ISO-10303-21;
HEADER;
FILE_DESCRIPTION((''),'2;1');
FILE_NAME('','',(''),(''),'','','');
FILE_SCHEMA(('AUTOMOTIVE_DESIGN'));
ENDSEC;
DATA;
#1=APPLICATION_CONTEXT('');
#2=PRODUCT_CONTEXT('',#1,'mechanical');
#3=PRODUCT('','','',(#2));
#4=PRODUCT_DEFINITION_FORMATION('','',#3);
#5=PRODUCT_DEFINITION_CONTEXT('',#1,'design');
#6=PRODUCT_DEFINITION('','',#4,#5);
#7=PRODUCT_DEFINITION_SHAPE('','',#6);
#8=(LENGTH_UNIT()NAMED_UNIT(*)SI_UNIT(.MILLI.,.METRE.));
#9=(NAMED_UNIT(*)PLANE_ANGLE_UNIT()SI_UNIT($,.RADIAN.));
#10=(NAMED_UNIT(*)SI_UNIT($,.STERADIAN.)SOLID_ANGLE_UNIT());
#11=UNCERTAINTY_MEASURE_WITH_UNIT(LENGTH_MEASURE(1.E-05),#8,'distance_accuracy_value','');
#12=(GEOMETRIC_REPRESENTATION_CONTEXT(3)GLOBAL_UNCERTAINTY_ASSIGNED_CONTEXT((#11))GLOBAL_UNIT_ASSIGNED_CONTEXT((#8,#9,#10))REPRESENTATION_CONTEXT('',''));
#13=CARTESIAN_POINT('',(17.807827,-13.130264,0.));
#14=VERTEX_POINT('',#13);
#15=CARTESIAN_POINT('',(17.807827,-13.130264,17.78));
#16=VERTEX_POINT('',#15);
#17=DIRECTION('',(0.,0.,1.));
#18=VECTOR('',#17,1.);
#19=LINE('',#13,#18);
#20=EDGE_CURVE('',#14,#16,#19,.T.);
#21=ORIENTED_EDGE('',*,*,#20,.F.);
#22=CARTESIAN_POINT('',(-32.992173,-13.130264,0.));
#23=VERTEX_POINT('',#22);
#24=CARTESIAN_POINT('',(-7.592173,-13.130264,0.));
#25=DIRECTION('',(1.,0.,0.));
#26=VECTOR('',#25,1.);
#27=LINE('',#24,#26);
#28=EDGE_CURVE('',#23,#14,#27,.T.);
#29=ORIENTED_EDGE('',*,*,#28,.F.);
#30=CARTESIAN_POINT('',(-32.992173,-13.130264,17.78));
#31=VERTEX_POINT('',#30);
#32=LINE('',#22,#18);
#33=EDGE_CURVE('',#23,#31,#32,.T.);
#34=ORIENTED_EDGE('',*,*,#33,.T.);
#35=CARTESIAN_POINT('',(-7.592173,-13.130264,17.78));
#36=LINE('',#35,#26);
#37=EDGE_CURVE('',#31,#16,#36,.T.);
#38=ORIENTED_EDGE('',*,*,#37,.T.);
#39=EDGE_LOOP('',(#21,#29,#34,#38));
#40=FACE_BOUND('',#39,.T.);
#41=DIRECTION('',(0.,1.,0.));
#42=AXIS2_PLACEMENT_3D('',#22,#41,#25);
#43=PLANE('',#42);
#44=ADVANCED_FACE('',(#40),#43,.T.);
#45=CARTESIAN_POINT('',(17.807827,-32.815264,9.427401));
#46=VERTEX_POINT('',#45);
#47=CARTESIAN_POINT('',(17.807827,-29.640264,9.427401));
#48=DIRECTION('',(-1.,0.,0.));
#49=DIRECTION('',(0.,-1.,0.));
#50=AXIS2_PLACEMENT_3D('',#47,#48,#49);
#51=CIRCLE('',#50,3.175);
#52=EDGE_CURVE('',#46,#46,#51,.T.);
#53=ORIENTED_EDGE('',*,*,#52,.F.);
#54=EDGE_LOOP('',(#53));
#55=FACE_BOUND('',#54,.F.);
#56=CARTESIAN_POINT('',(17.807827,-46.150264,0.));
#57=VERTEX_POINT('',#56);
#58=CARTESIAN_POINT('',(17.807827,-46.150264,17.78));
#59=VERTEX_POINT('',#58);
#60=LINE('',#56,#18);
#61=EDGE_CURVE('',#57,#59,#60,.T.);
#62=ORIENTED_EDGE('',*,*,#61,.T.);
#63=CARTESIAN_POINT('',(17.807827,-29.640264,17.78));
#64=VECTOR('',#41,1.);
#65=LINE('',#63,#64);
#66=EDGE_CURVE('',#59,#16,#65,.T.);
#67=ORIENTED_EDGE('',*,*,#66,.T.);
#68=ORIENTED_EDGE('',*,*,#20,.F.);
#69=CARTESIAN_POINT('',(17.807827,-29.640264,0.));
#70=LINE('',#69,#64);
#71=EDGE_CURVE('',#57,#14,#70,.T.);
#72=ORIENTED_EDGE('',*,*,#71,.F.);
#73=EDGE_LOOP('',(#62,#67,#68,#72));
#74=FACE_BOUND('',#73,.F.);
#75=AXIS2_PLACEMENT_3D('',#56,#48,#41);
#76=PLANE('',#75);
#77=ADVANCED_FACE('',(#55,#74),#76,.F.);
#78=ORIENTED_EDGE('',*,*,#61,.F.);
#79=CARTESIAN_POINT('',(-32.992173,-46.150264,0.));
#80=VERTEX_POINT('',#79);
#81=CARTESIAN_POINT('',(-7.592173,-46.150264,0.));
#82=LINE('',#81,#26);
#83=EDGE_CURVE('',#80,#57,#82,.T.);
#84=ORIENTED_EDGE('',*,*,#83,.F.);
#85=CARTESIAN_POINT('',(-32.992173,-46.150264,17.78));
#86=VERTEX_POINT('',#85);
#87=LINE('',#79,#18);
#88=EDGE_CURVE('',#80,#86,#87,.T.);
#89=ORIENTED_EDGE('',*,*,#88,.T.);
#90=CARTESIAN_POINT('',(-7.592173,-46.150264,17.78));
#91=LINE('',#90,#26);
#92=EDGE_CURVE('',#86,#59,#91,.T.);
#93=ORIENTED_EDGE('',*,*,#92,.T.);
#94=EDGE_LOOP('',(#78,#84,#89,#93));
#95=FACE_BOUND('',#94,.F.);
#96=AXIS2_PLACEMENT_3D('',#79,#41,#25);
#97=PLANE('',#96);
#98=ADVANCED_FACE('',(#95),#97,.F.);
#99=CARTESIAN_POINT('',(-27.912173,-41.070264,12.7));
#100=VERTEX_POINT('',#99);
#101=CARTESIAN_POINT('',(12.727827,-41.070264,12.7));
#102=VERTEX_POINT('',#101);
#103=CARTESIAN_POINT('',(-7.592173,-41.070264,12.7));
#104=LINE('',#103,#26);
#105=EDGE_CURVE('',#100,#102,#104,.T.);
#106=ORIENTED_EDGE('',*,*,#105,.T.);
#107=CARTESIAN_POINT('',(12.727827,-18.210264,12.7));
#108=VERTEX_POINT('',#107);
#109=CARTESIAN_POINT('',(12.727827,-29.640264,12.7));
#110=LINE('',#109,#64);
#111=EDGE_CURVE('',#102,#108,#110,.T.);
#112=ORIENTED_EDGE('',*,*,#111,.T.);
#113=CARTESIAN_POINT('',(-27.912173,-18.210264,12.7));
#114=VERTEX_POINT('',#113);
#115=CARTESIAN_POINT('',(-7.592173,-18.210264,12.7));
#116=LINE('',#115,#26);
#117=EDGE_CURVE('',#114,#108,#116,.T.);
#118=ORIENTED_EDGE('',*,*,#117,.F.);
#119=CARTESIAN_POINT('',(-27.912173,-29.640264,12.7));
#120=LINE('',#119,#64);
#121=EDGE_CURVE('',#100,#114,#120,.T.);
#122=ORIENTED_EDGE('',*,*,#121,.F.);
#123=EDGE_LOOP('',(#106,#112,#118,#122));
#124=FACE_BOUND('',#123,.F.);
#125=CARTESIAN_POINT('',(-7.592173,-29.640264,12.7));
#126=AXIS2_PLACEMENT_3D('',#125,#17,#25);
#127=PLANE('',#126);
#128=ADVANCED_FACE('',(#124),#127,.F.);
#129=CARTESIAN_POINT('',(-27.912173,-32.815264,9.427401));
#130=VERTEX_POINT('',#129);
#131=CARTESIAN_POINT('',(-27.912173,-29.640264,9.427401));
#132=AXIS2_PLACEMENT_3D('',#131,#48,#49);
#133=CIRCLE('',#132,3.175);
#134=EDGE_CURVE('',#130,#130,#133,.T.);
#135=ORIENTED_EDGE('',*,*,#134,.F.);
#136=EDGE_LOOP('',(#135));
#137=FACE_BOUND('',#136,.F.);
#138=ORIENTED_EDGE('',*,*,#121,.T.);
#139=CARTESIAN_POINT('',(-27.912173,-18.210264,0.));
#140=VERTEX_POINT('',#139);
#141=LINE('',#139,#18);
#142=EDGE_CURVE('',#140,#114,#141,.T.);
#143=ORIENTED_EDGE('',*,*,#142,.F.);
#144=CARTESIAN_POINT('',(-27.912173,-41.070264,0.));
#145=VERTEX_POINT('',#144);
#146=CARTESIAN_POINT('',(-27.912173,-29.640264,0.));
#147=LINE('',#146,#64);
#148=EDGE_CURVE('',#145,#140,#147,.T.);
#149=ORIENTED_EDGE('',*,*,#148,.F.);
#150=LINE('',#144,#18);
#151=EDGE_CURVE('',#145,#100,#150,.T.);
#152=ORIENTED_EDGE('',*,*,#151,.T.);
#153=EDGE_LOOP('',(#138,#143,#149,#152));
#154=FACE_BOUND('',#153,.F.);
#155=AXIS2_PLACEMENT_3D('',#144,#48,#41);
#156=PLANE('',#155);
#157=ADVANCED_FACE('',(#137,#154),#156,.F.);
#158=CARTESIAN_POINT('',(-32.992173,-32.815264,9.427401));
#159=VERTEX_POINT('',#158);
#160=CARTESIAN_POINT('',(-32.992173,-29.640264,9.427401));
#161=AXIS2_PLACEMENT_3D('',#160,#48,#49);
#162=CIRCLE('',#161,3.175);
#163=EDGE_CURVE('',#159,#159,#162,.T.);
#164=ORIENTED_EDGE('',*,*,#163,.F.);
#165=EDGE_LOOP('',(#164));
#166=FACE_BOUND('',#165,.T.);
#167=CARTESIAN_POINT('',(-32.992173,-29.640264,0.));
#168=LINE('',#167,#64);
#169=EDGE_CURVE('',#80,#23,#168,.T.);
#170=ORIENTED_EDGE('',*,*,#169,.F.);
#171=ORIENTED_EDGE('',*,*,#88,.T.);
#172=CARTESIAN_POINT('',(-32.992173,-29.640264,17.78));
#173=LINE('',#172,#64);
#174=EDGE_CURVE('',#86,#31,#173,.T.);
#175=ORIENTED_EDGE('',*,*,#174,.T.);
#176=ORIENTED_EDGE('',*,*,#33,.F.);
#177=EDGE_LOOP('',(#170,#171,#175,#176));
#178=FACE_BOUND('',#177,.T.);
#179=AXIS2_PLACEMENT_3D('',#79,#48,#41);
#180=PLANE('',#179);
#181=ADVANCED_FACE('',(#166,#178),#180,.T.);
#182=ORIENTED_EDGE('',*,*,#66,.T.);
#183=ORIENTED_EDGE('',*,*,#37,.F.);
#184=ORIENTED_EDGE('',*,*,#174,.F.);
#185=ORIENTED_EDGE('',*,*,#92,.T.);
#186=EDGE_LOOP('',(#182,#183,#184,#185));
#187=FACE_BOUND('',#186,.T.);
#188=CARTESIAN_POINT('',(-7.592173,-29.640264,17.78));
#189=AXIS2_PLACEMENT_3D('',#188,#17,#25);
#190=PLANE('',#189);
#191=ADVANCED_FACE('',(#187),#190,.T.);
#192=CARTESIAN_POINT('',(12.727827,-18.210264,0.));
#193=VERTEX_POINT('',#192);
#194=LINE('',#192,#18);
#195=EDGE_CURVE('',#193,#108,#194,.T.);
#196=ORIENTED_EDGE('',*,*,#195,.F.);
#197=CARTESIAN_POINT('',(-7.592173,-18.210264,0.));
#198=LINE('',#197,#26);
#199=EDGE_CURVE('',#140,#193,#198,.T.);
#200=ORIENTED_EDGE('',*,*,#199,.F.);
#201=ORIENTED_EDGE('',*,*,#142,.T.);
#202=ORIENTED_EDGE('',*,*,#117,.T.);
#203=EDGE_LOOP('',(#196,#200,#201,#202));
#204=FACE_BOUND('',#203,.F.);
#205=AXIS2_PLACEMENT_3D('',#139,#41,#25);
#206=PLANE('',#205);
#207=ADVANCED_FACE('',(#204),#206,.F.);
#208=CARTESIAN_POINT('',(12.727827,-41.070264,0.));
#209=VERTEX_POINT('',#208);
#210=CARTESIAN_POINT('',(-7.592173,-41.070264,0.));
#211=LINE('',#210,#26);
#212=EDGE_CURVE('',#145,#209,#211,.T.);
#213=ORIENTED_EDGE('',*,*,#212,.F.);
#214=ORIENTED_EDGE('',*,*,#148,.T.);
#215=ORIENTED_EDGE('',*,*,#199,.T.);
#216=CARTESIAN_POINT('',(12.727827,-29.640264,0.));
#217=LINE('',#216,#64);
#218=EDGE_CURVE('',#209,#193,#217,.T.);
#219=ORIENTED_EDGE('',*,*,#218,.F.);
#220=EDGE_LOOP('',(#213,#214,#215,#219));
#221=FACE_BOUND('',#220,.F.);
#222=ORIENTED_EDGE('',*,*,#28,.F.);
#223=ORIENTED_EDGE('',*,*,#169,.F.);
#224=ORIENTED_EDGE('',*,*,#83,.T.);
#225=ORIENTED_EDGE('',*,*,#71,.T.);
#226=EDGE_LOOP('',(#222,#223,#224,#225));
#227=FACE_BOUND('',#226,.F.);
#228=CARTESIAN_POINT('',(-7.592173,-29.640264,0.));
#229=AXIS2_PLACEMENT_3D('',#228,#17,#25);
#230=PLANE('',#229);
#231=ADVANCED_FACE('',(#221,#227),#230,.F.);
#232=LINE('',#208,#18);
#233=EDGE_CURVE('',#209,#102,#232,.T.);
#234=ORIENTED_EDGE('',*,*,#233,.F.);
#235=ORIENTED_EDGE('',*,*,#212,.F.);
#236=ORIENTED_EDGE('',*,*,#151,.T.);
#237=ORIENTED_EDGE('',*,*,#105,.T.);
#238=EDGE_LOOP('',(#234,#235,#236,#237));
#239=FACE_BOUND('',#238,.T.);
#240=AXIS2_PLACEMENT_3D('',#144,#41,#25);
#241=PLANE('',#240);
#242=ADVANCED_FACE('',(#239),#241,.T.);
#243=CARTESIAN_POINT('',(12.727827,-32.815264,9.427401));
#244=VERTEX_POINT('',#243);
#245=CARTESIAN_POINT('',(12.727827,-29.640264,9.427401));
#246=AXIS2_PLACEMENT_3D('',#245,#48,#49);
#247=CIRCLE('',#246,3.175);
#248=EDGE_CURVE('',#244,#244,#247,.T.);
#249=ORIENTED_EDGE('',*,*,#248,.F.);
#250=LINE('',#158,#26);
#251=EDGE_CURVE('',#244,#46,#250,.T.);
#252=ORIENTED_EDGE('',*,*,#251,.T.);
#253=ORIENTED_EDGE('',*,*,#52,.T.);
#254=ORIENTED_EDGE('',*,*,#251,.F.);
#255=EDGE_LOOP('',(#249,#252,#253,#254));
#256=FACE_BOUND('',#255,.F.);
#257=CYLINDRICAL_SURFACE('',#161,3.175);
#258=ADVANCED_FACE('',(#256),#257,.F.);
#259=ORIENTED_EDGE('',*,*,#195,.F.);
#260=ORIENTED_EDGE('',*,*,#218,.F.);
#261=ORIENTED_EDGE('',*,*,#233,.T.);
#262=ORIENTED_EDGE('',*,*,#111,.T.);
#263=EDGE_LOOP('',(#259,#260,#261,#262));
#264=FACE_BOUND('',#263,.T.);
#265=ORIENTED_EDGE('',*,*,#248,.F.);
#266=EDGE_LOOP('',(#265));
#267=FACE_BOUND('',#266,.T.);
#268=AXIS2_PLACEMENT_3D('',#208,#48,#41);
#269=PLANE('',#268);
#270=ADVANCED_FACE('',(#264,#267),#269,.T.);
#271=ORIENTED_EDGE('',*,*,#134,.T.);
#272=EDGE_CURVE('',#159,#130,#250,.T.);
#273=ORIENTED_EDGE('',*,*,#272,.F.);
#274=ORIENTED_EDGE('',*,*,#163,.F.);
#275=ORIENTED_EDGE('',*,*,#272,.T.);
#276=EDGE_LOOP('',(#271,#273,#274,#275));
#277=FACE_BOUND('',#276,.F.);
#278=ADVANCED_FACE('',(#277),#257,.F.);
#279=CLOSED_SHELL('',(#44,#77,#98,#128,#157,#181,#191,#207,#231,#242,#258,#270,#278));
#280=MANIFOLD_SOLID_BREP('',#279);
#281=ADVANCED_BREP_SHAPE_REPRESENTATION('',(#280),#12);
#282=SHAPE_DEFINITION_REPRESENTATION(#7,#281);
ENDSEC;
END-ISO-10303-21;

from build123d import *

# Parameters (mm, degrees)
F0_W     = 50.8
F0_H     = 33.02
F0_W_2   = 40.64
F0_H_2   = 22.86
F1_DEPTH = 17.78
F2_DEPTH = 12.7
F3_R     = 3.175
F4_DEPTH = 254


with BuildPart() as f1:
    # F0 (on Top) → F1 (new body)
    with BuildSketch(Plane.XY):
        with Locations((-7.5921734202, -29.6402639918)):
            Rectangle(F0_W, F0_H)
        with Locations((-7.5921734202, -29.6402639918)):
            Rectangle(F0_W_2, F0_H_2, mode=Mode.SUBTRACT)
        with Locations((-7.5921734202, -29.6402639918)):
            Rectangle(F0_W_2, F0_H_2)
    extrude(amount=F1_DEPTH)

    # F0 (on Top) → F2 (cut)
    with BuildSketch(Plane.XY):
        with Locations((-7.5921734202, -29.6402639918)):
            Rectangle(F0_W_2, F0_H_2)
    extrude(amount=F2_DEPTH, mode=Mode.SUBTRACT)

    # F3 (on face) → F4 (cut)
    with BuildSketch(Plane(origin=(-32.9921734202, 0, 0), x_dir=(0, -1, 0), z_dir=(-1, 0, 0))):
        with Locations((29.6402639918, 9.4274014091)):
            Circle(F3_R)
    extrude(amount=-F4_DEPTH, mode=Mode.SUBTRACT)


solid = f1.part
